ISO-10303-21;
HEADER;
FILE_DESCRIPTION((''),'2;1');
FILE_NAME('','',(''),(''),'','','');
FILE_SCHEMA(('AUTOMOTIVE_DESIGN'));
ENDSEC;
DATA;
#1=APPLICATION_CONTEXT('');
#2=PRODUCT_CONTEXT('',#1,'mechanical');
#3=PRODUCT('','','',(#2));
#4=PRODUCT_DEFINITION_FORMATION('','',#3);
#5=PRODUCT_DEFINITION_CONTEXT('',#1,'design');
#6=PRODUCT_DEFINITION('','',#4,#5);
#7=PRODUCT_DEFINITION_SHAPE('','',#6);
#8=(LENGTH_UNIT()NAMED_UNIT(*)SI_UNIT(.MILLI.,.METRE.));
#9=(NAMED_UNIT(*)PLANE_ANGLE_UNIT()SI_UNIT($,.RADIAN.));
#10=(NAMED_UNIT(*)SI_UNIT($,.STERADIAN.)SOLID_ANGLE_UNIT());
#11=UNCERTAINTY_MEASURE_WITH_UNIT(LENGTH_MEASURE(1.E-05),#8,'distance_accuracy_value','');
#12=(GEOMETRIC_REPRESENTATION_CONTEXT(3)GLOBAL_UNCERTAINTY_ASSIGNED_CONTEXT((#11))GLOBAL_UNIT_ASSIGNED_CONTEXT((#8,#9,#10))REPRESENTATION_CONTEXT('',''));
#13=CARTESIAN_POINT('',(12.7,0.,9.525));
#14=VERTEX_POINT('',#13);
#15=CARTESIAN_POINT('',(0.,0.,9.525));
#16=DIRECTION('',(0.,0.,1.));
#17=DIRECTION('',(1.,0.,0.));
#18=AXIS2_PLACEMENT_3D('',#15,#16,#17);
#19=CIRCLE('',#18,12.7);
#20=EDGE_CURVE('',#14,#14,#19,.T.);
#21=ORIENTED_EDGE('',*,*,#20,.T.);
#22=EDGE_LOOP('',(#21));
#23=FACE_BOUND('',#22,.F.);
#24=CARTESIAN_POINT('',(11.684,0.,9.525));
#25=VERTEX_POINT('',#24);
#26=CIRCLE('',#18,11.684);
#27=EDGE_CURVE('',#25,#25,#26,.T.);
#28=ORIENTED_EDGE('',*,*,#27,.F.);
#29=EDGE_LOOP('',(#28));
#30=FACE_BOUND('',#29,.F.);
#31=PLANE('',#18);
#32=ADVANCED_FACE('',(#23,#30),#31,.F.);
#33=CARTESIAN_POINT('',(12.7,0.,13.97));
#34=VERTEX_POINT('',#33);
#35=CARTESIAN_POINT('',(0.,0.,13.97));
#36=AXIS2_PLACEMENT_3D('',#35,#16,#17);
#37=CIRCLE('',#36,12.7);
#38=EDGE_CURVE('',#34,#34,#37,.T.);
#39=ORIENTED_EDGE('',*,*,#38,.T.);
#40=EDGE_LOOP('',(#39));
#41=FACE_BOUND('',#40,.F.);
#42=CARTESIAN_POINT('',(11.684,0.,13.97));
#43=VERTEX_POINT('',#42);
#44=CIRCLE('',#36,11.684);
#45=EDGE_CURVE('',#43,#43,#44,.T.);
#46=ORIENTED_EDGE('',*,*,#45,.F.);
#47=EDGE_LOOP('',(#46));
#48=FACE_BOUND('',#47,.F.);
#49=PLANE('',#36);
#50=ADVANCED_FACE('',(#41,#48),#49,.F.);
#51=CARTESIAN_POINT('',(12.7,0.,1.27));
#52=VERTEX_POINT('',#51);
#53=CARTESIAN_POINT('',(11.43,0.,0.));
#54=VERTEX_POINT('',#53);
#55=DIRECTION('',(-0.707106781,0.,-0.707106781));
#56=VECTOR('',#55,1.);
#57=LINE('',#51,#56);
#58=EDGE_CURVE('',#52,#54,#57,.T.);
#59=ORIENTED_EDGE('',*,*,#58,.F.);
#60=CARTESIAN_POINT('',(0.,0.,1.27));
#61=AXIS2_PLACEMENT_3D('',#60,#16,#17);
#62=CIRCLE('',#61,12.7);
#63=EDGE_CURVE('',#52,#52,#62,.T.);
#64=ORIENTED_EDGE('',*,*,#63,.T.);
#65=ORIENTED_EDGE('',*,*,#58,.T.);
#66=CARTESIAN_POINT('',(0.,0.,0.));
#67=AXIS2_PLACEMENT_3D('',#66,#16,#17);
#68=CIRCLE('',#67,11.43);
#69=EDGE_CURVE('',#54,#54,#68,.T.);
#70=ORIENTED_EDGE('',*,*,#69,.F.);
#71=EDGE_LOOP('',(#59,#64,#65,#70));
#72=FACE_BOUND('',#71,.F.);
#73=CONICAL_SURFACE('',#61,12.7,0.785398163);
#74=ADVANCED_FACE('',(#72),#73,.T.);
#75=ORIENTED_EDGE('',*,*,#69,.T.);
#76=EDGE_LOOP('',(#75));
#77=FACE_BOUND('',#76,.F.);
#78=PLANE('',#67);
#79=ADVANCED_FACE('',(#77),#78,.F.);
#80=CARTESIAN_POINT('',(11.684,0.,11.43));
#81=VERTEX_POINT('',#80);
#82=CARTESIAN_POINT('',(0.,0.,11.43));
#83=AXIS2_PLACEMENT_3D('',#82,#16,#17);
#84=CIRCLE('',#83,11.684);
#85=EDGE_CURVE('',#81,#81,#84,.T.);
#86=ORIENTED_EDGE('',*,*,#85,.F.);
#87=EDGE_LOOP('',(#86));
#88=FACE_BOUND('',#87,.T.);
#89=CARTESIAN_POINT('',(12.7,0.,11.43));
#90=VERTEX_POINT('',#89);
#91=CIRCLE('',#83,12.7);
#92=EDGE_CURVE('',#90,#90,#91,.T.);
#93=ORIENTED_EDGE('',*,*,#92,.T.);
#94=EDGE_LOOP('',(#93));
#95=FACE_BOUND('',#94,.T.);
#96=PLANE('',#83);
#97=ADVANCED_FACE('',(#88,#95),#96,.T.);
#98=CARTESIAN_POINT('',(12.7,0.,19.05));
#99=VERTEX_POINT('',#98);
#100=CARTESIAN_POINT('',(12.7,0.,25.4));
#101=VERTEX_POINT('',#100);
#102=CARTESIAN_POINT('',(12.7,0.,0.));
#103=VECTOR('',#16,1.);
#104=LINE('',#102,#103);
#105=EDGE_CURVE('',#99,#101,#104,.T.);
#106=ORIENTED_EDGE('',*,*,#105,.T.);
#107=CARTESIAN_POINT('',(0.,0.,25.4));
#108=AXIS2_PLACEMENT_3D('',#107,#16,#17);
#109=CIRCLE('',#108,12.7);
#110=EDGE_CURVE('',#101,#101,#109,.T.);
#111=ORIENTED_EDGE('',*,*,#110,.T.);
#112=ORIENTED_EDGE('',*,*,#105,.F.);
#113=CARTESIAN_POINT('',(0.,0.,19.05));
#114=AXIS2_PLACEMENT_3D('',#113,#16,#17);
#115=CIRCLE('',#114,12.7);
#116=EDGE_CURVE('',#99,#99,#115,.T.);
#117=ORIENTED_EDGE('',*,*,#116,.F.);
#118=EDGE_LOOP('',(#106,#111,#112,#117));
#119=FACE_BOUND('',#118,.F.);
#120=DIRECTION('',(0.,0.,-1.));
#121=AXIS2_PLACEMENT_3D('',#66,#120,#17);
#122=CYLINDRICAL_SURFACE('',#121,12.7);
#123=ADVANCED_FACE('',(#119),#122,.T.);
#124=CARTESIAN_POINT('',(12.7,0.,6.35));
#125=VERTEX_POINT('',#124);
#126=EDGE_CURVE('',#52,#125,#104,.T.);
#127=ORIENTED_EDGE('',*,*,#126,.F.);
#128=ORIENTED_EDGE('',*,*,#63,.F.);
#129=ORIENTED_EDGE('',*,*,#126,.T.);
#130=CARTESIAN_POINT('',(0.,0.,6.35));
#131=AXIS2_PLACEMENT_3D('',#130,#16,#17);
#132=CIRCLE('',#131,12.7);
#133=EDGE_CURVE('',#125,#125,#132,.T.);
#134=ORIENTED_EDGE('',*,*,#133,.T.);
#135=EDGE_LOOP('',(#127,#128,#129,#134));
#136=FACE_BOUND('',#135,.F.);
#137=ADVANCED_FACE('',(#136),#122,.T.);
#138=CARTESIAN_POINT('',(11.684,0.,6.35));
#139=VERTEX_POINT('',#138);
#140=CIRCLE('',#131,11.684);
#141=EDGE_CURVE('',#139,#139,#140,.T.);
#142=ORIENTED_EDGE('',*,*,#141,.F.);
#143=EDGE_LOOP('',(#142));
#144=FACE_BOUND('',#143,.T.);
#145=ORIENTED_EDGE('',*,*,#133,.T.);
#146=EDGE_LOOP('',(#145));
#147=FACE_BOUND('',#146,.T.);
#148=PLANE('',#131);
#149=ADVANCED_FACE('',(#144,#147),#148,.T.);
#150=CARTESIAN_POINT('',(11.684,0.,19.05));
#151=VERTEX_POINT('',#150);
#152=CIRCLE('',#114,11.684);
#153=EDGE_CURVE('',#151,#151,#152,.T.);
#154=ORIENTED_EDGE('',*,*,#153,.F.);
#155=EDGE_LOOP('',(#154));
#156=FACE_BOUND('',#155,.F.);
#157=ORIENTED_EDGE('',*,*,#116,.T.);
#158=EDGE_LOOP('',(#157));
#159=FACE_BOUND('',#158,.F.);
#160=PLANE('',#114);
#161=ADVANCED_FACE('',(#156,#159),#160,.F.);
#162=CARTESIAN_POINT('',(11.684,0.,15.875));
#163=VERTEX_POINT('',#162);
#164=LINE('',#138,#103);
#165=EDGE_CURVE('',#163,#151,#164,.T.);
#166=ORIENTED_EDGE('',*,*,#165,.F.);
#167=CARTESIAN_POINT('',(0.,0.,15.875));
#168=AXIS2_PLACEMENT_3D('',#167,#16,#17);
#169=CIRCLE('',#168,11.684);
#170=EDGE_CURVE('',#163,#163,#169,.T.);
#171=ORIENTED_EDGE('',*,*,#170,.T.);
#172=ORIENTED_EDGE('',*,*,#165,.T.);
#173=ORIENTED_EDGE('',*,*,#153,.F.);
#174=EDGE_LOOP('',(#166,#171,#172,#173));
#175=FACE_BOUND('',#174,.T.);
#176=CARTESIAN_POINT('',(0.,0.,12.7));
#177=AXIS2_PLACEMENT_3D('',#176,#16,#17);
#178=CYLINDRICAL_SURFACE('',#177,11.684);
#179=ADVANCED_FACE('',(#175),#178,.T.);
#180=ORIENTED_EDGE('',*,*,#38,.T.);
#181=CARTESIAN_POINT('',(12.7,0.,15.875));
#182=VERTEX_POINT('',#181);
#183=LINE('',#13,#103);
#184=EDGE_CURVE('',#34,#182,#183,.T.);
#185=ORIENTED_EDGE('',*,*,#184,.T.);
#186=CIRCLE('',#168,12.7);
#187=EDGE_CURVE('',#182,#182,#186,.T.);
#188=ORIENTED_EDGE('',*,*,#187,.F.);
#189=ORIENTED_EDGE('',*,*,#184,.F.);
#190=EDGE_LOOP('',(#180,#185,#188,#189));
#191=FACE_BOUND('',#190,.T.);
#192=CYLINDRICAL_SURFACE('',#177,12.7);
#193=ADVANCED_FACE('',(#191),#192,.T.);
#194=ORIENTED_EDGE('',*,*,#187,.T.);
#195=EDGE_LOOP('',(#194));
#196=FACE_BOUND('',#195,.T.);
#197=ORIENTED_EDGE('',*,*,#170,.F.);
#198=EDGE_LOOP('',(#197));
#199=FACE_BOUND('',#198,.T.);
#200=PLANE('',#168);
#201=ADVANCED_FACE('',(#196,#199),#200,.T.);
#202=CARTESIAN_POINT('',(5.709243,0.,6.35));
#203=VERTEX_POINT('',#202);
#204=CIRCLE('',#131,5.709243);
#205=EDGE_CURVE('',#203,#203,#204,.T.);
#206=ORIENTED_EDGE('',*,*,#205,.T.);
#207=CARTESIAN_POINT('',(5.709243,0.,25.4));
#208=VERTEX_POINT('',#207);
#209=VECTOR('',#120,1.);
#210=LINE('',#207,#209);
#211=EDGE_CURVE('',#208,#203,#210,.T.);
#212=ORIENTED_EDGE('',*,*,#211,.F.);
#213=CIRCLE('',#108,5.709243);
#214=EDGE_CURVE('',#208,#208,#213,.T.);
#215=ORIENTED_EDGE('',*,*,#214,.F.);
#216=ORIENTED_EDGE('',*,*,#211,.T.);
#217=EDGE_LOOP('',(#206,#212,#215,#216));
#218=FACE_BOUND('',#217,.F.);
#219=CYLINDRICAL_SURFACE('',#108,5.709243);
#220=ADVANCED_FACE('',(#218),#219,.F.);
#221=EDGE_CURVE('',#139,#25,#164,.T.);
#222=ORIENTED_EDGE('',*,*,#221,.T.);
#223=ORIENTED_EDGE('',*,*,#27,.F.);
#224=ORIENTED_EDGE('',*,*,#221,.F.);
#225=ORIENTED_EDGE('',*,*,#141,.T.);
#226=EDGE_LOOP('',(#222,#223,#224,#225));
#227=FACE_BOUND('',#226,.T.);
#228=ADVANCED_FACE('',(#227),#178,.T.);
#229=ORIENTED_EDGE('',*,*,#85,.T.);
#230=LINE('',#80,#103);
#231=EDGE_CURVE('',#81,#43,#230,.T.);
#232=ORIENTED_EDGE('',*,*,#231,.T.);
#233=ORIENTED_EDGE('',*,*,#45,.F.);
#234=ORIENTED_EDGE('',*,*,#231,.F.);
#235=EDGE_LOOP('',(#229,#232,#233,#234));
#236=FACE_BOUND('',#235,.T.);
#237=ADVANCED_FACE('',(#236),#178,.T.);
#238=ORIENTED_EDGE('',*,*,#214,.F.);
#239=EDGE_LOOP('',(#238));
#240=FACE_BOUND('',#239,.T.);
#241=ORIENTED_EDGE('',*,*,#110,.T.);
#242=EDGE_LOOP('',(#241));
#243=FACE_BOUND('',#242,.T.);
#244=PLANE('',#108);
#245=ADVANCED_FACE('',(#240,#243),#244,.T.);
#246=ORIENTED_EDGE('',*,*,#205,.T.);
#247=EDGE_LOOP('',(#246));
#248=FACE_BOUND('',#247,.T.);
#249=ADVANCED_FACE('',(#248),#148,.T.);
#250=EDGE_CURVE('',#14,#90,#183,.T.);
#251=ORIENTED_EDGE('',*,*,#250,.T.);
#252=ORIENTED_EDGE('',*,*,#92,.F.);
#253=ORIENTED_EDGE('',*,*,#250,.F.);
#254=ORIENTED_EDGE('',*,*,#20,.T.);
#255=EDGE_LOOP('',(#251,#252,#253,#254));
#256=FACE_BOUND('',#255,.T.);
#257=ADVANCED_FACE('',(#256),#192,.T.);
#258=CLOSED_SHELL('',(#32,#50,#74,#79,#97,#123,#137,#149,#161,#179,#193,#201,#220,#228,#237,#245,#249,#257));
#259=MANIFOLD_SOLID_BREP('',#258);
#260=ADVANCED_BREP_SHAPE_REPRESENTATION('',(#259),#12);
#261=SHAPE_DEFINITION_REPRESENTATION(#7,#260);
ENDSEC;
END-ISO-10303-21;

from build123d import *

# Parameters (mm, degrees)
F0_R          = 12.7
F1_DEPTH      = 25.4
F2_R          = 5.7092426067
F3_DEPTH      = 19.05
F5_R          = 12.7
F5_R_2        = 11.6839995608
F6_DEPTH      = 6.35
F6_DEPTH_BACK = 6.35
F7_DEPTH      = 3.175
F7_DEPTH_BACK = 3.175
F8_DEPTH      = 1.27
F8_DEPTH_BACK = 1.27
F9_SIZE       = 1.27


with BuildPart() as f1:
    # F0 (on Top) → F1 (new body)
    with BuildSketch(Plane.XY):
        Circle(F0_R)
    extrude(amount=F1_DEPTH)

    # F2 (on face) → F3 (cut)
    with BuildSketch(Plane.XY.offset(25.4)):
        Circle(F2_R)
    extrude(amount=-F3_DEPTH, mode=Mode.SUBTRACT)

    # F5 (on offset) → F6 (cut, two sides)
    with BuildSketch(Plane.XY.offset(12.7)) as f6_sk:
        Circle(F5_R)
        Circle(F5_R_2, mode=Mode.SUBTRACT)
    extrude(amount=-F6_DEPTH, mode=Mode.SUBTRACT)
    extrude(f6_sk.sketch, amount=F6_DEPTH_BACK, mode=Mode.SUBTRACT)

    # F5 (on offset) → F7 (join, two sides)
    with BuildSketch(Plane.XY.offset(12.7)) as f7_sk:
        Circle(F5_R)
        Circle(F5_R_2, mode=Mode.SUBTRACT)
    extrude(amount=F7_DEPTH)
    extrude(f7_sk.sketch, amount=-F7_DEPTH_BACK)

    # F5 (on offset) → F8 (cut, two sides)
    with BuildSketch(Plane.XY.offset(12.7)) as f8_sk:
        Circle(F5_R)
        Circle(F5_R_2, mode=Mode.SUBTRACT)
    extrude(amount=-F8_DEPTH, mode=Mode.SUBTRACT)
    extrude(f8_sk.sketch, amount=F8_DEPTH_BACK, mode=Mode.SUBTRACT)

    # F9
    f9_edges = [f1.edges().sort_by_distance(p)[0] for p in [
        (-12.7, 0, 0),
    ]]
    chamfer(f9_edges, length=F9_SIZE)


solid = f1.part
